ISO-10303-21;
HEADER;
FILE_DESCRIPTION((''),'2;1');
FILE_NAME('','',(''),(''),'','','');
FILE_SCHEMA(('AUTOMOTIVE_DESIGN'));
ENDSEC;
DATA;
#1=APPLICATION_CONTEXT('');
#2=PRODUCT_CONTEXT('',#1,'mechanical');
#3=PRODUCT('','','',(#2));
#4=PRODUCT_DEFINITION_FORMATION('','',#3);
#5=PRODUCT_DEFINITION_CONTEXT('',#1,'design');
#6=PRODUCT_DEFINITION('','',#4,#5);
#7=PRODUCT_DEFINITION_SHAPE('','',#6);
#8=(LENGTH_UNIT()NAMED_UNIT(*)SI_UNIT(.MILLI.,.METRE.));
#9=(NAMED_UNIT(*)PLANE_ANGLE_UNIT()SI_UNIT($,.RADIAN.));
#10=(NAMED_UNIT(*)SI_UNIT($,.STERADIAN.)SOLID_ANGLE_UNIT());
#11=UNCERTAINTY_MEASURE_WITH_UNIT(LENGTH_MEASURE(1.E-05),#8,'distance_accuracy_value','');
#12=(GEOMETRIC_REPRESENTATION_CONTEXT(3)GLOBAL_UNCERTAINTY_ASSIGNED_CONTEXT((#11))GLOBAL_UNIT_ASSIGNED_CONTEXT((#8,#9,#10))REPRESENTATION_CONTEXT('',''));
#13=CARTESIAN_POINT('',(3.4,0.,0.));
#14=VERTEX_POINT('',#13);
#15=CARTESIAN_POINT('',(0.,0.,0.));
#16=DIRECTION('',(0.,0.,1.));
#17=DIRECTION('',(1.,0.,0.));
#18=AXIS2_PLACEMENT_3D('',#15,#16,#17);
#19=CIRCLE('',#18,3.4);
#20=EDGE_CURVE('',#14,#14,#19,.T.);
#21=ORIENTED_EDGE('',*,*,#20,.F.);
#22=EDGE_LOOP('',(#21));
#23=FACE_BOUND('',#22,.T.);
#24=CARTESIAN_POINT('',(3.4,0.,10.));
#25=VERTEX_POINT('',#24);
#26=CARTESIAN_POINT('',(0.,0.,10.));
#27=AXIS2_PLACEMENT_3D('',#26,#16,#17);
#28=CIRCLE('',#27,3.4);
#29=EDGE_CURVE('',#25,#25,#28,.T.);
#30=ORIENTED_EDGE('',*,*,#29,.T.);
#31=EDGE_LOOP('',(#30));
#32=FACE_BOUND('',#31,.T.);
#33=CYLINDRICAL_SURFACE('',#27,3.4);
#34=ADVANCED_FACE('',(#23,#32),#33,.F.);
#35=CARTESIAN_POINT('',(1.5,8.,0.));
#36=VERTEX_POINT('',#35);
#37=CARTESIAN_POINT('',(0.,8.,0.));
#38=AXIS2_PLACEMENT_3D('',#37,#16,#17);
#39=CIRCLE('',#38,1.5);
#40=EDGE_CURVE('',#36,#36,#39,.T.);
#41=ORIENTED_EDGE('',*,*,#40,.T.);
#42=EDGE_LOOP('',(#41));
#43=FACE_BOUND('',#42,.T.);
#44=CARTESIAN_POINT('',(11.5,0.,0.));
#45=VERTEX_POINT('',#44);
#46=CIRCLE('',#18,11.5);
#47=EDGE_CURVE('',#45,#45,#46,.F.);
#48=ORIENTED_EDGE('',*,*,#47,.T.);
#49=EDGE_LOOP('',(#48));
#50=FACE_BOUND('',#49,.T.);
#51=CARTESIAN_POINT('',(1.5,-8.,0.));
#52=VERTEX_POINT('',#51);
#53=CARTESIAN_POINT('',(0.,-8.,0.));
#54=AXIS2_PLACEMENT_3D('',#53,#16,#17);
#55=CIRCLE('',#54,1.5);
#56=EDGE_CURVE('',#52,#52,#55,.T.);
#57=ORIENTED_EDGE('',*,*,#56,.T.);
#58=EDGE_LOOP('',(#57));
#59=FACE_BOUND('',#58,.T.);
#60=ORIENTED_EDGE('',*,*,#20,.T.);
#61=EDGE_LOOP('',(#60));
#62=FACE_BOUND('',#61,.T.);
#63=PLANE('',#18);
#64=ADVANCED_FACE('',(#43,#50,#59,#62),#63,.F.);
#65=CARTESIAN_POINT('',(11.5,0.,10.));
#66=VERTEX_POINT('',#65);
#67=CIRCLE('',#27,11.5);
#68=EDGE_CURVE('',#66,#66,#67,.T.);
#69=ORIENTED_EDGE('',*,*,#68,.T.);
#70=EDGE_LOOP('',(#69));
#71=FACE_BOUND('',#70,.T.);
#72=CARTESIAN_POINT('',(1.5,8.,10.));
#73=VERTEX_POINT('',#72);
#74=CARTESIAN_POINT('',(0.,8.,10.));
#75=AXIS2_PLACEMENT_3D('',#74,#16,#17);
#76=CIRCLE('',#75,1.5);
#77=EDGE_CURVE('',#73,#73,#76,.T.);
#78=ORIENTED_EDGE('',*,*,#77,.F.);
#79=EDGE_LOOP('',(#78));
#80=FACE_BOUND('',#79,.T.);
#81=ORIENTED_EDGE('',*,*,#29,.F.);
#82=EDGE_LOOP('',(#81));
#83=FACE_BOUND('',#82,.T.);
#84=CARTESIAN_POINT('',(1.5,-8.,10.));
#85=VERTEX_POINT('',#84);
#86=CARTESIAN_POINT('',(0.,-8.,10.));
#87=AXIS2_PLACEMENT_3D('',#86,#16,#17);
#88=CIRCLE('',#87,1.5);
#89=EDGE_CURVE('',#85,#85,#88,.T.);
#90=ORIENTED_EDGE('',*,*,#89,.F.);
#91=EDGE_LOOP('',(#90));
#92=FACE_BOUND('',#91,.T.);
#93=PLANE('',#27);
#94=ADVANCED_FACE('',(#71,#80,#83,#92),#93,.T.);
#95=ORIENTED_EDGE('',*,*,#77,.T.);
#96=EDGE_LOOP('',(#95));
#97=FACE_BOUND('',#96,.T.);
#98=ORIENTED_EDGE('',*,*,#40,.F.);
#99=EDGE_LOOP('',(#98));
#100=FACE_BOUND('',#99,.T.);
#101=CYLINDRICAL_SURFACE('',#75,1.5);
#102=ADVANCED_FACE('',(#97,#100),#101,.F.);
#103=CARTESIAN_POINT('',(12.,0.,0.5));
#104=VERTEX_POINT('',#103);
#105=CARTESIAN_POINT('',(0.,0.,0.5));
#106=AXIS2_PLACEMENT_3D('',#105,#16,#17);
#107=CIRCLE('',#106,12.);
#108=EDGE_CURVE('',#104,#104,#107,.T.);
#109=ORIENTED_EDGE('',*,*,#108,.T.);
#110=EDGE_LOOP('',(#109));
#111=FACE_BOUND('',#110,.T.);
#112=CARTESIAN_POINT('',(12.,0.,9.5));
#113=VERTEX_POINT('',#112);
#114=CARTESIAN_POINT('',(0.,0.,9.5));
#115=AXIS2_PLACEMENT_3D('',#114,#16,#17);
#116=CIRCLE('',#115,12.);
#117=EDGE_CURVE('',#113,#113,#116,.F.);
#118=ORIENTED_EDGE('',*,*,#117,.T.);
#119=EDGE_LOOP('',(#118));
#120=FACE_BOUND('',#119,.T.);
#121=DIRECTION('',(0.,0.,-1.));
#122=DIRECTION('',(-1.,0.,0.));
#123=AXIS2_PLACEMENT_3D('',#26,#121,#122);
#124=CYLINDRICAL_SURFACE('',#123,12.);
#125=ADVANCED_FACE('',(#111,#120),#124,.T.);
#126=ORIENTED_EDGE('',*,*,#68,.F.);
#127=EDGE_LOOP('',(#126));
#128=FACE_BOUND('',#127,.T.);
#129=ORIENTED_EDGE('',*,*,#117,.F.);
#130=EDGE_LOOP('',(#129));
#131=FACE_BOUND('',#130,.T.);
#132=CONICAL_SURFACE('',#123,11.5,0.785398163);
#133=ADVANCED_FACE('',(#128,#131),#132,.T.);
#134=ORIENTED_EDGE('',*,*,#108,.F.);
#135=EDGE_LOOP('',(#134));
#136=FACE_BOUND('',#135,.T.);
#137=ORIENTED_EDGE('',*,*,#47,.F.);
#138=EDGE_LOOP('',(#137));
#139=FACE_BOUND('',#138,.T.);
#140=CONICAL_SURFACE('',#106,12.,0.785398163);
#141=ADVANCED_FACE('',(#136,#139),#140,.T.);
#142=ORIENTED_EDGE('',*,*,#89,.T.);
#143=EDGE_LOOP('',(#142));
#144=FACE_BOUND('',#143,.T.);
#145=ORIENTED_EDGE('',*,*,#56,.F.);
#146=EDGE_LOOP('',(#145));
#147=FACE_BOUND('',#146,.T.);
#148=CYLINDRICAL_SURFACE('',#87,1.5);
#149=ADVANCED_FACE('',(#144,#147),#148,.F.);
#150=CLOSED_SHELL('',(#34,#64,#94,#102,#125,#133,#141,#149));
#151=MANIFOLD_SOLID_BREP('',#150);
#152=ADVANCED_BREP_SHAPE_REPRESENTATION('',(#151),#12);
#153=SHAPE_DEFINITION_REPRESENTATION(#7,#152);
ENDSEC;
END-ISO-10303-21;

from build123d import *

# Parameters (mm, degrees)
SKETCH_1_R             = 12
EXTRUDE_1_DEPTH        = 10
CHAMFER_1_SIZE         = 0.5
HOLE_WIZARD_M8_1_D     = 6.8
HOLE_WIZARD_M8_1_DEPTH = 17.707073895
HOLE_WIZARD_M8_1_TIP   = 2.042926105
F_3_0MM_1_D            = 3
F_3_0MM_1_DEPTH        = 18.848709071
F_3_0MM_1_TIP          = 0.901290929


with BuildPart() as part:
    # 草图1 → 凸台-拉伸1 (new body)
    with BuildSketch(Plane.XY):
        Circle(SKETCH_1_R)
    extrude(amount=EXTRUDE_1_DEPTH)

    # 倒角1
    chamfer_1_edges = [part.edges().sort_by_distance(p)[0] for p in [
        (-12, 0, 0),
        (-12, 0, 10),
    ]]
    chamfer(chamfer_1_edges, length=CHAMFER_1_SIZE)

    # M8 螺纹孔1
    with Locations(Plane.XY.offset(10)):
        with Locations((0, 0)):
            Hole(HOLE_WIZARD_M8_1_D / 2, depth=HOLE_WIZARD_M8_1_DEPTH)
            with Locations((0, 0, -(HOLE_WIZARD_M8_1_DEPTH + HOLE_WIZARD_M8_1_TIP / 2))):  # 118° drill point
                Cone(0, HOLE_WIZARD_M8_1_D / 2, HOLE_WIZARD_M8_1_TIP, mode=Mode.SUBTRACT)

    # Ø3.0mm 暗销孔1
    with Locations(Plane.XY.offset(10)):
        with Locations((0, -8), (0, 8)):
            Hole(F_3_0MM_1_D / 2, depth=F_3_0MM_1_DEPTH)
            with Locations((0, 0, -(F_3_0MM_1_DEPTH + F_3_0MM_1_TIP / 2))):  # 118° drill point
                Cone(0, F_3_0MM_1_D / 2, F_3_0MM_1_TIP, mode=Mode.SUBTRACT)


solid = part.part
